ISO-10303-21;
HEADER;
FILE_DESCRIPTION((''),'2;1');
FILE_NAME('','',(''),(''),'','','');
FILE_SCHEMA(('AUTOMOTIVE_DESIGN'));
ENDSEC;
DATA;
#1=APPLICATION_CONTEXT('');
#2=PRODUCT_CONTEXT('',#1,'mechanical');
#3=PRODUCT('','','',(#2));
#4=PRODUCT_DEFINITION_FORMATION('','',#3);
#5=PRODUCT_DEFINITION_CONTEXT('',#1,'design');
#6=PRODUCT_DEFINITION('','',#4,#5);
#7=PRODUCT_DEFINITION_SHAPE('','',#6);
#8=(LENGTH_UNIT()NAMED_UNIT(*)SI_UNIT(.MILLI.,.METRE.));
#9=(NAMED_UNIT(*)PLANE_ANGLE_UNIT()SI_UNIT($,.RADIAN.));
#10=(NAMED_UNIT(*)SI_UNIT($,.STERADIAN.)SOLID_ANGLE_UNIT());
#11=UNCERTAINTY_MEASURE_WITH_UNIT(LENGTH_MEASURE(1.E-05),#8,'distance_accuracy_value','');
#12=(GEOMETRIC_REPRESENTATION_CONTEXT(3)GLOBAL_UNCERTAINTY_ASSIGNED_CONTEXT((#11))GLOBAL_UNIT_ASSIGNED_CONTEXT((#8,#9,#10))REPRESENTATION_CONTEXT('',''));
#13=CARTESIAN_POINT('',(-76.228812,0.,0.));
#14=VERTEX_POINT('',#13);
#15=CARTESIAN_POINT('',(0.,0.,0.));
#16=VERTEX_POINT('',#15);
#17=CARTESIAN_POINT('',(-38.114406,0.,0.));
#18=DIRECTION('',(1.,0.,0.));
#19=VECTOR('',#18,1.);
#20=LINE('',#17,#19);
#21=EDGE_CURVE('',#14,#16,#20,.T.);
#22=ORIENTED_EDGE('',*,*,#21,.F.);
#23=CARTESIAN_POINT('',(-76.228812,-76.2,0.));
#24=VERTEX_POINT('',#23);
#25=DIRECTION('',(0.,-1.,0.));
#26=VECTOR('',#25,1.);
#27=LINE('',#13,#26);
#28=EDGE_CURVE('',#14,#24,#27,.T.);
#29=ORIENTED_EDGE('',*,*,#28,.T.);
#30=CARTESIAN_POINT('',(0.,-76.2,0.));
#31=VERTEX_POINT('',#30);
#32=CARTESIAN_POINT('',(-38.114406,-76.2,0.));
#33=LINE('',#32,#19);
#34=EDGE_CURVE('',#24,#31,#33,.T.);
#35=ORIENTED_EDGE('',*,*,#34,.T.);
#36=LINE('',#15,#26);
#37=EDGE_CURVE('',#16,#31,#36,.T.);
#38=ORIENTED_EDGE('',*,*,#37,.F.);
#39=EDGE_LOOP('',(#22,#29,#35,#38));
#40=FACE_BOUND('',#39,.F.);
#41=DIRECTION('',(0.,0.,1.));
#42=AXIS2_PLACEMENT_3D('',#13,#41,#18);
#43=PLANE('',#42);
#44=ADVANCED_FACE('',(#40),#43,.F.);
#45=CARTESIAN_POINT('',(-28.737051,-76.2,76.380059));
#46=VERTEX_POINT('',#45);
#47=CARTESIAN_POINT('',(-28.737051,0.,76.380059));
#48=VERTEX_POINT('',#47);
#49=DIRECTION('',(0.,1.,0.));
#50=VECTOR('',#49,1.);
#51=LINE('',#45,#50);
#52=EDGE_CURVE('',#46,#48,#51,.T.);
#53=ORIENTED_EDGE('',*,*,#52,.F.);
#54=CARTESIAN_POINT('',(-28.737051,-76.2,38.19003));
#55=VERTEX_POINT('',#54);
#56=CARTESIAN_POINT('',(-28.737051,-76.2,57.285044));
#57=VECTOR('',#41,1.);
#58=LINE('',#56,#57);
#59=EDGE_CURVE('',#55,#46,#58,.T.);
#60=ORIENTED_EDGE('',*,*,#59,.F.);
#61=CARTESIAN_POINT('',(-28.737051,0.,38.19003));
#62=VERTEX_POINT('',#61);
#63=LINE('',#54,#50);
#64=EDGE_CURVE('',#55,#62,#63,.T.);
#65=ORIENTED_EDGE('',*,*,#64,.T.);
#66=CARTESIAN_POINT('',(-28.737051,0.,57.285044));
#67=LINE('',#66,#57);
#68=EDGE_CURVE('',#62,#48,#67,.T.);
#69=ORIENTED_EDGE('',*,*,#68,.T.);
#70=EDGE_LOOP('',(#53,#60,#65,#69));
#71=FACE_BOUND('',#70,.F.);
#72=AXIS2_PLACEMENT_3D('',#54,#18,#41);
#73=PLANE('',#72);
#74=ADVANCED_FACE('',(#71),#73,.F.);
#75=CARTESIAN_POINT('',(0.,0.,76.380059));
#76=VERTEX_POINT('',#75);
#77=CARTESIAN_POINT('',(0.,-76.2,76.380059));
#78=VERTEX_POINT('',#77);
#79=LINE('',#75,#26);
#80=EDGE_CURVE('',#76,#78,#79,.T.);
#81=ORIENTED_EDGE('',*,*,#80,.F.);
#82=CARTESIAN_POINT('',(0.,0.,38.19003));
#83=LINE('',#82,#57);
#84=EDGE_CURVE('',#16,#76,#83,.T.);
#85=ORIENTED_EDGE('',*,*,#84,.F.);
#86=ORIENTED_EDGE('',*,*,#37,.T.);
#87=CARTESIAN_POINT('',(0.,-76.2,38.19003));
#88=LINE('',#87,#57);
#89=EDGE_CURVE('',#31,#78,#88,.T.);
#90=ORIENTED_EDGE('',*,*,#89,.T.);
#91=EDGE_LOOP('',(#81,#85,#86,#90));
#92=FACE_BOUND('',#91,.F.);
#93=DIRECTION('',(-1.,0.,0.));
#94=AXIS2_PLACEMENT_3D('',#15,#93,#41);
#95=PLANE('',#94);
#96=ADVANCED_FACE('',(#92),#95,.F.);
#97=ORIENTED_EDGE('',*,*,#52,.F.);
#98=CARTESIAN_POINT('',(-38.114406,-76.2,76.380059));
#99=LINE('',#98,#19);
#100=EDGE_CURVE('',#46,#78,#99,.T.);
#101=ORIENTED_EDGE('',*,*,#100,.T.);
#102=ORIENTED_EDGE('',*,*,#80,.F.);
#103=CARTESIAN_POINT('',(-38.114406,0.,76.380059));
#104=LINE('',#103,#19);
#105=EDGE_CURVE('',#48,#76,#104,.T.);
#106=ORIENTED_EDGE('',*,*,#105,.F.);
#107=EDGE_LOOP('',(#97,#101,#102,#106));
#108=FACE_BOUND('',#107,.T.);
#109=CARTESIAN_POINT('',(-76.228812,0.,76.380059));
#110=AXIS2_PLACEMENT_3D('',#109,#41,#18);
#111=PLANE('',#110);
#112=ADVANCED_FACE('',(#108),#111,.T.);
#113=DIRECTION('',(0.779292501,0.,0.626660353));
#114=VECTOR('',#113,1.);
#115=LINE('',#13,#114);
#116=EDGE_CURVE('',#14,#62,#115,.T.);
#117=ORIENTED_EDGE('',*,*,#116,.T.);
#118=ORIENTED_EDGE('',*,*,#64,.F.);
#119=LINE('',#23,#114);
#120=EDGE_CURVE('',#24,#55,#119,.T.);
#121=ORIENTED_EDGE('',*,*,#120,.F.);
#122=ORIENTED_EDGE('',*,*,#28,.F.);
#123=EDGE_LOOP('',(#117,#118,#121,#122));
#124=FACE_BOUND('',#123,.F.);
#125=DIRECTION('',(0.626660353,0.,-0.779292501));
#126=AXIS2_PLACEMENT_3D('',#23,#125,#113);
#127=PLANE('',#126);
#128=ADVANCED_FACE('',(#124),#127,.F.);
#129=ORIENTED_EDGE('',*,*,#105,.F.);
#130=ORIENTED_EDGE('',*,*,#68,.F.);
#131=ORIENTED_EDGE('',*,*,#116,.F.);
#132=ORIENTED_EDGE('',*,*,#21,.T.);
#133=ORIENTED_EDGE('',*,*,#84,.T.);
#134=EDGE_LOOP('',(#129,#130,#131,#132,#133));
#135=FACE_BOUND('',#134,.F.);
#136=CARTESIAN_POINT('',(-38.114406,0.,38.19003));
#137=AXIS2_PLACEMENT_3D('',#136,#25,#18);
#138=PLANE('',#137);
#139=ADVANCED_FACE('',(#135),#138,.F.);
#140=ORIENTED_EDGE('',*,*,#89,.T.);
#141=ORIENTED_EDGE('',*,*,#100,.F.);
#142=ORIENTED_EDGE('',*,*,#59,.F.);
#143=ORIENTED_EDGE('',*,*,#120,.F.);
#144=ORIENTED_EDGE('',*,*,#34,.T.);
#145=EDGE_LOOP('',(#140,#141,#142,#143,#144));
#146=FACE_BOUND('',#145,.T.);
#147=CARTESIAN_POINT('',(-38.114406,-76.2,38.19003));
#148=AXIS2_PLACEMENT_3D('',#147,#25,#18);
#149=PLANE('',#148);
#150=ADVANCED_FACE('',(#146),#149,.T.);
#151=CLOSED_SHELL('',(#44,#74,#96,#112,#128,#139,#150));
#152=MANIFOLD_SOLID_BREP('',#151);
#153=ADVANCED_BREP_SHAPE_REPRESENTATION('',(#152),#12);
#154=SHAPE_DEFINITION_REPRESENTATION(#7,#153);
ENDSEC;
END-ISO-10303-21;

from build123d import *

# Parameters (mm, degrees)
F0_W     = 76.2288123369
F0_H     = 76.380059123
F1_DEPTH = 76.2
F2_W     = 47.4917609245
F2_H     = 38.1900295615
F3_DEPTH = 76.2
F5_DEPTH = 76.2


with BuildPart() as f1:
    # F0 (on Front) → F1 (new body)
    with BuildSketch(Plane.XZ):
        with Locations((-38.1144061685, 38.1900295615)):
            Rectangle(F0_W, F0_H)
    extrude(amount=F1_DEPTH)

    # F2 (on face) → F3 (cut)
    with BuildSketch(Plane.XZ.offset(76.2)):
        with Locations((-52.4829318747, 57.2850443423)):
            Rectangle(F2_W, F2_H)
    extrude(amount=-F3_DEPTH, mode=Mode.SUBTRACT)

    # F4 (on face) → F5 (cut)
    with BuildSketch(Plane.XZ.offset(76.2)):
        Polygon((-76.2288123369, 0), (-28.7370514125, 38.1900295615), (-76.2288123369, 38.1900295615), align=None)
    extrude(amount=-F5_DEPTH, mode=Mode.SUBTRACT)


solid = f1.part
